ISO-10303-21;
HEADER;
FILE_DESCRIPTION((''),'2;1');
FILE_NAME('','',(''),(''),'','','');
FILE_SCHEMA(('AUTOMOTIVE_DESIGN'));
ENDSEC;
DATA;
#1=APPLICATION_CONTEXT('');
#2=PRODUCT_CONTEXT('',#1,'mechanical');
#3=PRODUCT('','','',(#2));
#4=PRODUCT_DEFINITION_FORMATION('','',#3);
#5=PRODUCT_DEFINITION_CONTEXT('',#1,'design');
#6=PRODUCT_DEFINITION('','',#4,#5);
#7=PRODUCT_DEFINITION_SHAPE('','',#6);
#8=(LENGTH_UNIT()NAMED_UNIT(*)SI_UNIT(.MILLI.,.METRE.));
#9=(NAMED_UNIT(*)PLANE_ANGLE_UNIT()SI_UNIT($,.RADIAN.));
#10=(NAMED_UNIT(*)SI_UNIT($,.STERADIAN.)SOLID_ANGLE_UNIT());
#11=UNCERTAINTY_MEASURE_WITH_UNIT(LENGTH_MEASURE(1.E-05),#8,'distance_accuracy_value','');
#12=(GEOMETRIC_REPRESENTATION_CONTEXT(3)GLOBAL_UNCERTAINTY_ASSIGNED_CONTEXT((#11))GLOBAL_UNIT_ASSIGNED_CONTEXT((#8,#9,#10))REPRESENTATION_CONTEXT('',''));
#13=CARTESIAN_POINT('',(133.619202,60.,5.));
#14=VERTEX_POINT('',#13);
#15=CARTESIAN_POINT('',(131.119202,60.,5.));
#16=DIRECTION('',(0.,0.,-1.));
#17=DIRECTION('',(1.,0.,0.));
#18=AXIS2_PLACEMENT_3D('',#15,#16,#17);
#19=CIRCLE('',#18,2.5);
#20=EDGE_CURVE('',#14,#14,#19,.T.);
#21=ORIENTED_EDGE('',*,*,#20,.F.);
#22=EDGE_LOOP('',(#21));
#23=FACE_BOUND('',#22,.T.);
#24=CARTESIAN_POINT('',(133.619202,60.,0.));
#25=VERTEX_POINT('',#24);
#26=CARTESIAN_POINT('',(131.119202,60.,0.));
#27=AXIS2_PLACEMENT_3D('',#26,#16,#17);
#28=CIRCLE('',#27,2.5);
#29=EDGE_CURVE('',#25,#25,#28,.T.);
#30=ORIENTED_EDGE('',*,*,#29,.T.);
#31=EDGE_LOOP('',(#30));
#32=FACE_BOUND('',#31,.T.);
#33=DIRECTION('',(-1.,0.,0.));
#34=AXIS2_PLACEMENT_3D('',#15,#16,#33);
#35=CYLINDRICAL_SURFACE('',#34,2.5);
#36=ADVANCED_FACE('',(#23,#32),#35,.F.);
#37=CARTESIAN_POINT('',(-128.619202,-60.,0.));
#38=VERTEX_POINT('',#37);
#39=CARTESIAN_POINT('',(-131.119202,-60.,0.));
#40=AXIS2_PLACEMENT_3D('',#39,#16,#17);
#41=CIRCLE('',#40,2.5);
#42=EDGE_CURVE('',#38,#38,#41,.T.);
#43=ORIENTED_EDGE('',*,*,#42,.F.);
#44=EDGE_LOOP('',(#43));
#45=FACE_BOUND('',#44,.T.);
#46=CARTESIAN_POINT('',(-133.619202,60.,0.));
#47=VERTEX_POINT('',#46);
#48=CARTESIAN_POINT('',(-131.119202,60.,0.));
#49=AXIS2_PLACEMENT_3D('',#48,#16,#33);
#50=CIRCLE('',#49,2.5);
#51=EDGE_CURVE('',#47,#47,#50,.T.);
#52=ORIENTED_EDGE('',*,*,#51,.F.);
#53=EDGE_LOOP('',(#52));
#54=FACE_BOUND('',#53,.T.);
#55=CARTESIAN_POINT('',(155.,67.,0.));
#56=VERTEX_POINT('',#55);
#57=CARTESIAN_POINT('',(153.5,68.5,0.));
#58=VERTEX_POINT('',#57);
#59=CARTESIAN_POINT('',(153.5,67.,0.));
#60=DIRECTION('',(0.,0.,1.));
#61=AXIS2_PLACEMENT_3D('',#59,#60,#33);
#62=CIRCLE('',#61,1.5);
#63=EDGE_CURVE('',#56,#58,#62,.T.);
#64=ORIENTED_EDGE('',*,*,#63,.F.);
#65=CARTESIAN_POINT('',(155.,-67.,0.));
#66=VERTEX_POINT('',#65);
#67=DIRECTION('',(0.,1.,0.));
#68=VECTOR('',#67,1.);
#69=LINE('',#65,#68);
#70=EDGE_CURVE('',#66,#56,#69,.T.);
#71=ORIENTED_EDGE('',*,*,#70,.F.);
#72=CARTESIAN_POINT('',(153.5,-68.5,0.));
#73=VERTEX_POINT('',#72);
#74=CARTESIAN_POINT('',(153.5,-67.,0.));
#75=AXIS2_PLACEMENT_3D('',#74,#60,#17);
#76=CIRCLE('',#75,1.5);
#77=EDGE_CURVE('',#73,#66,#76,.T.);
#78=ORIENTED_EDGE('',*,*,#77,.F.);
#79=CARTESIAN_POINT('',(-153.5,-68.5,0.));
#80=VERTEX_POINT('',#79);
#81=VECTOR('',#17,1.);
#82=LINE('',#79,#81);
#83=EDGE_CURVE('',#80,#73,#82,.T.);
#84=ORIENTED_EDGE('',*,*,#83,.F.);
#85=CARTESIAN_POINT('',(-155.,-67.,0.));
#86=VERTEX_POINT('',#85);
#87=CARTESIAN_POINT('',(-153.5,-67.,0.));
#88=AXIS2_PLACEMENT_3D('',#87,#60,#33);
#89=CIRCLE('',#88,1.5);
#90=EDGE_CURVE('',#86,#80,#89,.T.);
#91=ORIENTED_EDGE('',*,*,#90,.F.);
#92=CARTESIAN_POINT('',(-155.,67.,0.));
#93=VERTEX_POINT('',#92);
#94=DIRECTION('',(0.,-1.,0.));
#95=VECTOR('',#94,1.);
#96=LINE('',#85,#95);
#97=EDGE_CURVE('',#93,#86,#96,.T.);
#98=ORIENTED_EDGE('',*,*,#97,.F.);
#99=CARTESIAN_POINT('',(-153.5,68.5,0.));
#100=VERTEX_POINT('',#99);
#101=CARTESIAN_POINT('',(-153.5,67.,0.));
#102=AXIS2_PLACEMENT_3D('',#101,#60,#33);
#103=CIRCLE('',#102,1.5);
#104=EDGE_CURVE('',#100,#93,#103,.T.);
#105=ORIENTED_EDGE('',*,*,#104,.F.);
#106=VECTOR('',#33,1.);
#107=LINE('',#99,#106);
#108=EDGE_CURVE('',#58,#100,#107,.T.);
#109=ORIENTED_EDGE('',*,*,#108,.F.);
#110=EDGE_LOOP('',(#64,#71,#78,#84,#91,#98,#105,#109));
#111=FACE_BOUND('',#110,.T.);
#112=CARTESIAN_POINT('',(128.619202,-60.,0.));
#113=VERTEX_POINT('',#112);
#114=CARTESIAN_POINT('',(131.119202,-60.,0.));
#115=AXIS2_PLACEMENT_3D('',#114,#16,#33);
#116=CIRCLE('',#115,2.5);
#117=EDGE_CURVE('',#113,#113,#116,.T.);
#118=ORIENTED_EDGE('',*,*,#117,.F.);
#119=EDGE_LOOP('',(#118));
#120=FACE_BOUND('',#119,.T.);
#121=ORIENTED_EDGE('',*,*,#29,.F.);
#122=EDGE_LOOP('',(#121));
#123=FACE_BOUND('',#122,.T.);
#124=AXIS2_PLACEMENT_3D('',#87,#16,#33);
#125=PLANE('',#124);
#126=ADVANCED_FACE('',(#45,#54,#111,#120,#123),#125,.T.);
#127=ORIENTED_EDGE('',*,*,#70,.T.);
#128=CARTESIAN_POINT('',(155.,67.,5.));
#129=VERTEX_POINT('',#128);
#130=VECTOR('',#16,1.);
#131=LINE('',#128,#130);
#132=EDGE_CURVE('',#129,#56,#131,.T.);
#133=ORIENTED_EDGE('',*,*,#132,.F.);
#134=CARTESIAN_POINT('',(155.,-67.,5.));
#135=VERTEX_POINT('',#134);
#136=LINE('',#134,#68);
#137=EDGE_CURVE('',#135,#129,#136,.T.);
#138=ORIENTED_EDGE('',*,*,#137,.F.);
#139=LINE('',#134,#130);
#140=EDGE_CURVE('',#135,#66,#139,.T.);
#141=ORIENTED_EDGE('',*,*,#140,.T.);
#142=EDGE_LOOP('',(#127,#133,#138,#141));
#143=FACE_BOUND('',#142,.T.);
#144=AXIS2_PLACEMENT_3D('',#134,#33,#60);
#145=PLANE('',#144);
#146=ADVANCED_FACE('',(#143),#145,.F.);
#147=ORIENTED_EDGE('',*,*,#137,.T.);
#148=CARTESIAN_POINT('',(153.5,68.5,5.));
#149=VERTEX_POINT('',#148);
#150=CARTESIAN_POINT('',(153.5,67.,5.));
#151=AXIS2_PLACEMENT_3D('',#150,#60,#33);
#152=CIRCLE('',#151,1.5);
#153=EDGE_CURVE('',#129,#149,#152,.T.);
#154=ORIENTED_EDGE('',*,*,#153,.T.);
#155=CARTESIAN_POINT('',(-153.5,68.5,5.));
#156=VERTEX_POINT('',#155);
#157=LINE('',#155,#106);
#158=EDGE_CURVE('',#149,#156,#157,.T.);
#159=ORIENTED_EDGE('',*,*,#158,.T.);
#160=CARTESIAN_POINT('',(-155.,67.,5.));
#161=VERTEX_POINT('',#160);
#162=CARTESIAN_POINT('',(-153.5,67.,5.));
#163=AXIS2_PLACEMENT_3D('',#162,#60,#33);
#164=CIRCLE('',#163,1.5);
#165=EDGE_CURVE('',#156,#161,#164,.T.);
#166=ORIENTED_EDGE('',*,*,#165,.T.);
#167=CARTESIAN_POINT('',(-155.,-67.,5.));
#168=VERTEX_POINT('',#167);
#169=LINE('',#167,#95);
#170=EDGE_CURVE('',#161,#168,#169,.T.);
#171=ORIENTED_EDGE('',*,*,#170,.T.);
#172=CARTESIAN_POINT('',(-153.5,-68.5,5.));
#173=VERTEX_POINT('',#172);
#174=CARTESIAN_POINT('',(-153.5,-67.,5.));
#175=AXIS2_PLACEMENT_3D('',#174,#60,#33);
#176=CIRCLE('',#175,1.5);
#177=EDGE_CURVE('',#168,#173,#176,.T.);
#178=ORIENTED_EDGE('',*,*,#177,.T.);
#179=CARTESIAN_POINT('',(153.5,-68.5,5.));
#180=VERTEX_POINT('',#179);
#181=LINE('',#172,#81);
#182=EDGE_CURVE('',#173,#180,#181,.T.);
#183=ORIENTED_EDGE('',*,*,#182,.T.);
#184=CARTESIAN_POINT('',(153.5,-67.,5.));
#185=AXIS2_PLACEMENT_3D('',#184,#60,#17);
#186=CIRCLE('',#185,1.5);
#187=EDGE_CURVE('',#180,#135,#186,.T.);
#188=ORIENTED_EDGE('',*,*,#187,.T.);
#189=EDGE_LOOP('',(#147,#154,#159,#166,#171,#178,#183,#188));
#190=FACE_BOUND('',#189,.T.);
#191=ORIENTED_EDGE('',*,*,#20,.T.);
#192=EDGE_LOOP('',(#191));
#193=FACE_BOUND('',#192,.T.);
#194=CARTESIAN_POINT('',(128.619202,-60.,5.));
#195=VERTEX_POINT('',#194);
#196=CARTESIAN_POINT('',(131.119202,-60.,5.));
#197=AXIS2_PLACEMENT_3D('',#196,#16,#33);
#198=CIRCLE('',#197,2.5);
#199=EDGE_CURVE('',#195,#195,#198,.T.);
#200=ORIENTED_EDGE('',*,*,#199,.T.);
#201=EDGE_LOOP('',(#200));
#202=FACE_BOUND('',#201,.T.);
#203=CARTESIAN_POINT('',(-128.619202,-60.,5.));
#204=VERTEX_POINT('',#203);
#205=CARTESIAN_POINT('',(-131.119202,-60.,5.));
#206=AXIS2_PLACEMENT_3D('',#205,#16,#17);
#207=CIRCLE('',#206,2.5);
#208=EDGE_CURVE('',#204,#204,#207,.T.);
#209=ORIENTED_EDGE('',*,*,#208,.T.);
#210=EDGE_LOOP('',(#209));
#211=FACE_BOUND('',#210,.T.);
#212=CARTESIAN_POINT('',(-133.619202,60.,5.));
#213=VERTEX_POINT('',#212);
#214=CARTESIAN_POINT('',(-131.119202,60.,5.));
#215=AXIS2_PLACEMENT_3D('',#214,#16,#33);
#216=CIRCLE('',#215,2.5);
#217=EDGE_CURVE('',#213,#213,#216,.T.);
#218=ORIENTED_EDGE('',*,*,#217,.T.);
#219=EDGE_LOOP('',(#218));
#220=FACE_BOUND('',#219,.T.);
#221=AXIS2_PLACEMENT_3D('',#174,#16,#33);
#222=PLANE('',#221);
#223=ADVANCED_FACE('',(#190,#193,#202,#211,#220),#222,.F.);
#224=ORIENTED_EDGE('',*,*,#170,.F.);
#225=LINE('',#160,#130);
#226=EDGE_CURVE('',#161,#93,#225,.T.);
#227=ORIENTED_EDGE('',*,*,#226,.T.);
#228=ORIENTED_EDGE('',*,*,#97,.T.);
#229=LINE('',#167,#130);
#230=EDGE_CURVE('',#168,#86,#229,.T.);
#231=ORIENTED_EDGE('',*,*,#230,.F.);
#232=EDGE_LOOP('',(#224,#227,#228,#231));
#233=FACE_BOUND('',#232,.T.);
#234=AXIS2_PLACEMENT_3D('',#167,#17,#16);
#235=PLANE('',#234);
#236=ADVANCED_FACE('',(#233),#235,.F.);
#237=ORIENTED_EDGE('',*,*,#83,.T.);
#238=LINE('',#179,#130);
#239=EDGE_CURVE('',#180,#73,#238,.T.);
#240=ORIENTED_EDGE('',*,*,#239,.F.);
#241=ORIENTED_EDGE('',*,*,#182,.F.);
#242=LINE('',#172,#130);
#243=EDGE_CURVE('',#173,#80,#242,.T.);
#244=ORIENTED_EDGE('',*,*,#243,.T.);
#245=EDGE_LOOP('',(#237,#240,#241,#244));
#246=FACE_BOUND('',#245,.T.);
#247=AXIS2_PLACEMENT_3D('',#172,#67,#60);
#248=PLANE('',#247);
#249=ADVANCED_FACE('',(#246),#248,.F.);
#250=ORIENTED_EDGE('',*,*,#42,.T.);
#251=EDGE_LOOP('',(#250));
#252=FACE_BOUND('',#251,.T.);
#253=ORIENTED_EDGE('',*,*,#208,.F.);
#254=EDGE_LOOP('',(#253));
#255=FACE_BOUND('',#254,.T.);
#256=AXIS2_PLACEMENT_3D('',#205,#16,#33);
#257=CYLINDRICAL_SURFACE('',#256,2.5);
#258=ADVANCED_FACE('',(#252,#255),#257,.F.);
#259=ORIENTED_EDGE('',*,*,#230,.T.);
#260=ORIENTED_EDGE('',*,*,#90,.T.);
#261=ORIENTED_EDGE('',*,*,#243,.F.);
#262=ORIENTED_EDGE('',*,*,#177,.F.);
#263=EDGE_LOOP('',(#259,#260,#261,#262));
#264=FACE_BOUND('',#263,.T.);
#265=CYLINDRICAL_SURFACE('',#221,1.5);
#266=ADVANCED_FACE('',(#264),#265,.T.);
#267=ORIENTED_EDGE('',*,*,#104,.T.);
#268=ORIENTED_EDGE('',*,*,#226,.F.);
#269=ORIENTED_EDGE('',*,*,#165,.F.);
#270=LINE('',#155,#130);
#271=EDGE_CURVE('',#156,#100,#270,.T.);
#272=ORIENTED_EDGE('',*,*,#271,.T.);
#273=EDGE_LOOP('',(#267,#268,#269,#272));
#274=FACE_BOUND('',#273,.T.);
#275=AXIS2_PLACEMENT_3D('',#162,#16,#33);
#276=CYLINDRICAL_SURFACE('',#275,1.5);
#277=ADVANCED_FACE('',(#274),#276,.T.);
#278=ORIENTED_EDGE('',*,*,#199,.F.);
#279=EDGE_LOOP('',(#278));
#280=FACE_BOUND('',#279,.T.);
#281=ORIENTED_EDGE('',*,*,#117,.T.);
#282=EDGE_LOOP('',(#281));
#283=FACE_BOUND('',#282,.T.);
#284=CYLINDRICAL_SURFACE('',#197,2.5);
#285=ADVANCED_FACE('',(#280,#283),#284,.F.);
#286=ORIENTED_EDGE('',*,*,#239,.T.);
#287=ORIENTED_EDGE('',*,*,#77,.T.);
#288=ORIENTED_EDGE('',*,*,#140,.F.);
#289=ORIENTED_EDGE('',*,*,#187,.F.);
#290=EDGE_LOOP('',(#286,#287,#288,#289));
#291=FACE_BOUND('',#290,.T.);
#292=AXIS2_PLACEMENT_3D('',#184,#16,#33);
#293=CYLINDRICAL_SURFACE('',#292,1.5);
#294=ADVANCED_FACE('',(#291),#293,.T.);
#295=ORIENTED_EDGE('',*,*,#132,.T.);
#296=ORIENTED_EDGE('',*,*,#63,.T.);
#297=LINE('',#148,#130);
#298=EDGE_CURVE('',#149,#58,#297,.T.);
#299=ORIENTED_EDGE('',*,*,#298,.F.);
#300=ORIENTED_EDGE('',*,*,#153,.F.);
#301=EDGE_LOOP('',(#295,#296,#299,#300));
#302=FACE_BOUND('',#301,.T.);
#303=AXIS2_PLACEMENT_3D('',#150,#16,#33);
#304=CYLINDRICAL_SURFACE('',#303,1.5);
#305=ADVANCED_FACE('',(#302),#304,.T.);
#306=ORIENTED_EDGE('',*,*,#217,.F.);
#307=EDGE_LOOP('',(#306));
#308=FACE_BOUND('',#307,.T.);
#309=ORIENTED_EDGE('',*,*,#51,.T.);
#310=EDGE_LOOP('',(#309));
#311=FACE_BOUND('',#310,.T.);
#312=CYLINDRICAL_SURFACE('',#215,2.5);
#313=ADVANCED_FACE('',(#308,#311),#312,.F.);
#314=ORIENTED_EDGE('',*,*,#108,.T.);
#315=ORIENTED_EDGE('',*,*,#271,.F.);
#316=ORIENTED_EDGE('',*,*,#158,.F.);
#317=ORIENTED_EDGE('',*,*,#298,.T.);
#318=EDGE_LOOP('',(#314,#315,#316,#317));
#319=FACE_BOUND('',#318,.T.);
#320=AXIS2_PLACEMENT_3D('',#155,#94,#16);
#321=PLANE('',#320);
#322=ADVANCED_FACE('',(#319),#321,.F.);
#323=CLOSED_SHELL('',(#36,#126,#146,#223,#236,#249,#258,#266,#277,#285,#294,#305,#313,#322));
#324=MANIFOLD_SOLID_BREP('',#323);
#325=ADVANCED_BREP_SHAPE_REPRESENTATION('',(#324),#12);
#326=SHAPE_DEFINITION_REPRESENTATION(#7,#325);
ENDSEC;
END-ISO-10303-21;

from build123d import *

# Parameters (mm, degrees)
BOSS_EXTRU_1_DEPTH      = 5
ESQUISSE2_R             = 2.5
ENL_V_MAT_EXTRU_1_DEPTH = 5


with BuildPart() as part:
    # Esquisse1 → Boss.-Extru.1 (new body)
    with BuildSketch(Plane.XY):
        with BuildLine():
            Line((-153.5, -68.5), (153.5, -68.5))
            ThreePointArc((153.5, -68.5), (154.560660172, -68.060660172), (155, -67))
            Line((155, -67), (155, 67))
            ThreePointArc((155, 67), (154.560660172, 68.060660172), (153.5, 68.5))
            Line((153.5, 68.5), (-153.5, 68.5))
            ThreePointArc((-153.5, 68.5), (-154.560660172, 68.060660172), (-155, 67))
            Line((-155, 67), (-155, -67))
            ThreePointArc((-155, -67), (-154.560660172, -68.060660172), (-153.5, -68.5))
        make_face()
    extrude(amount=BOSS_EXTRU_1_DEPTH)

    # Esquisse2 → Enlèv. mat.-Extru.1 (cut)
    with BuildSketch(Plane(origin=(0, 0, 0), x_dir=(-1, 0, 0), z_dir=(0, 0, -1))):
        with Locations((-131.119201541, -60)):
            Circle(ESQUISSE2_R)
        with Locations((-131.119201541, 60)):
            Circle(ESQUISSE2_R)
        with Locations((131.119201541, 60)):
            Circle(ESQUISSE2_R)
        with Locations((131.119201541, -60)):
            Circle(ESQUISSE2_R)
    extrude(amount=-ENL_V_MAT_EXTRU_1_DEPTH, mode=Mode.SUBTRACT)


solid = part.part
